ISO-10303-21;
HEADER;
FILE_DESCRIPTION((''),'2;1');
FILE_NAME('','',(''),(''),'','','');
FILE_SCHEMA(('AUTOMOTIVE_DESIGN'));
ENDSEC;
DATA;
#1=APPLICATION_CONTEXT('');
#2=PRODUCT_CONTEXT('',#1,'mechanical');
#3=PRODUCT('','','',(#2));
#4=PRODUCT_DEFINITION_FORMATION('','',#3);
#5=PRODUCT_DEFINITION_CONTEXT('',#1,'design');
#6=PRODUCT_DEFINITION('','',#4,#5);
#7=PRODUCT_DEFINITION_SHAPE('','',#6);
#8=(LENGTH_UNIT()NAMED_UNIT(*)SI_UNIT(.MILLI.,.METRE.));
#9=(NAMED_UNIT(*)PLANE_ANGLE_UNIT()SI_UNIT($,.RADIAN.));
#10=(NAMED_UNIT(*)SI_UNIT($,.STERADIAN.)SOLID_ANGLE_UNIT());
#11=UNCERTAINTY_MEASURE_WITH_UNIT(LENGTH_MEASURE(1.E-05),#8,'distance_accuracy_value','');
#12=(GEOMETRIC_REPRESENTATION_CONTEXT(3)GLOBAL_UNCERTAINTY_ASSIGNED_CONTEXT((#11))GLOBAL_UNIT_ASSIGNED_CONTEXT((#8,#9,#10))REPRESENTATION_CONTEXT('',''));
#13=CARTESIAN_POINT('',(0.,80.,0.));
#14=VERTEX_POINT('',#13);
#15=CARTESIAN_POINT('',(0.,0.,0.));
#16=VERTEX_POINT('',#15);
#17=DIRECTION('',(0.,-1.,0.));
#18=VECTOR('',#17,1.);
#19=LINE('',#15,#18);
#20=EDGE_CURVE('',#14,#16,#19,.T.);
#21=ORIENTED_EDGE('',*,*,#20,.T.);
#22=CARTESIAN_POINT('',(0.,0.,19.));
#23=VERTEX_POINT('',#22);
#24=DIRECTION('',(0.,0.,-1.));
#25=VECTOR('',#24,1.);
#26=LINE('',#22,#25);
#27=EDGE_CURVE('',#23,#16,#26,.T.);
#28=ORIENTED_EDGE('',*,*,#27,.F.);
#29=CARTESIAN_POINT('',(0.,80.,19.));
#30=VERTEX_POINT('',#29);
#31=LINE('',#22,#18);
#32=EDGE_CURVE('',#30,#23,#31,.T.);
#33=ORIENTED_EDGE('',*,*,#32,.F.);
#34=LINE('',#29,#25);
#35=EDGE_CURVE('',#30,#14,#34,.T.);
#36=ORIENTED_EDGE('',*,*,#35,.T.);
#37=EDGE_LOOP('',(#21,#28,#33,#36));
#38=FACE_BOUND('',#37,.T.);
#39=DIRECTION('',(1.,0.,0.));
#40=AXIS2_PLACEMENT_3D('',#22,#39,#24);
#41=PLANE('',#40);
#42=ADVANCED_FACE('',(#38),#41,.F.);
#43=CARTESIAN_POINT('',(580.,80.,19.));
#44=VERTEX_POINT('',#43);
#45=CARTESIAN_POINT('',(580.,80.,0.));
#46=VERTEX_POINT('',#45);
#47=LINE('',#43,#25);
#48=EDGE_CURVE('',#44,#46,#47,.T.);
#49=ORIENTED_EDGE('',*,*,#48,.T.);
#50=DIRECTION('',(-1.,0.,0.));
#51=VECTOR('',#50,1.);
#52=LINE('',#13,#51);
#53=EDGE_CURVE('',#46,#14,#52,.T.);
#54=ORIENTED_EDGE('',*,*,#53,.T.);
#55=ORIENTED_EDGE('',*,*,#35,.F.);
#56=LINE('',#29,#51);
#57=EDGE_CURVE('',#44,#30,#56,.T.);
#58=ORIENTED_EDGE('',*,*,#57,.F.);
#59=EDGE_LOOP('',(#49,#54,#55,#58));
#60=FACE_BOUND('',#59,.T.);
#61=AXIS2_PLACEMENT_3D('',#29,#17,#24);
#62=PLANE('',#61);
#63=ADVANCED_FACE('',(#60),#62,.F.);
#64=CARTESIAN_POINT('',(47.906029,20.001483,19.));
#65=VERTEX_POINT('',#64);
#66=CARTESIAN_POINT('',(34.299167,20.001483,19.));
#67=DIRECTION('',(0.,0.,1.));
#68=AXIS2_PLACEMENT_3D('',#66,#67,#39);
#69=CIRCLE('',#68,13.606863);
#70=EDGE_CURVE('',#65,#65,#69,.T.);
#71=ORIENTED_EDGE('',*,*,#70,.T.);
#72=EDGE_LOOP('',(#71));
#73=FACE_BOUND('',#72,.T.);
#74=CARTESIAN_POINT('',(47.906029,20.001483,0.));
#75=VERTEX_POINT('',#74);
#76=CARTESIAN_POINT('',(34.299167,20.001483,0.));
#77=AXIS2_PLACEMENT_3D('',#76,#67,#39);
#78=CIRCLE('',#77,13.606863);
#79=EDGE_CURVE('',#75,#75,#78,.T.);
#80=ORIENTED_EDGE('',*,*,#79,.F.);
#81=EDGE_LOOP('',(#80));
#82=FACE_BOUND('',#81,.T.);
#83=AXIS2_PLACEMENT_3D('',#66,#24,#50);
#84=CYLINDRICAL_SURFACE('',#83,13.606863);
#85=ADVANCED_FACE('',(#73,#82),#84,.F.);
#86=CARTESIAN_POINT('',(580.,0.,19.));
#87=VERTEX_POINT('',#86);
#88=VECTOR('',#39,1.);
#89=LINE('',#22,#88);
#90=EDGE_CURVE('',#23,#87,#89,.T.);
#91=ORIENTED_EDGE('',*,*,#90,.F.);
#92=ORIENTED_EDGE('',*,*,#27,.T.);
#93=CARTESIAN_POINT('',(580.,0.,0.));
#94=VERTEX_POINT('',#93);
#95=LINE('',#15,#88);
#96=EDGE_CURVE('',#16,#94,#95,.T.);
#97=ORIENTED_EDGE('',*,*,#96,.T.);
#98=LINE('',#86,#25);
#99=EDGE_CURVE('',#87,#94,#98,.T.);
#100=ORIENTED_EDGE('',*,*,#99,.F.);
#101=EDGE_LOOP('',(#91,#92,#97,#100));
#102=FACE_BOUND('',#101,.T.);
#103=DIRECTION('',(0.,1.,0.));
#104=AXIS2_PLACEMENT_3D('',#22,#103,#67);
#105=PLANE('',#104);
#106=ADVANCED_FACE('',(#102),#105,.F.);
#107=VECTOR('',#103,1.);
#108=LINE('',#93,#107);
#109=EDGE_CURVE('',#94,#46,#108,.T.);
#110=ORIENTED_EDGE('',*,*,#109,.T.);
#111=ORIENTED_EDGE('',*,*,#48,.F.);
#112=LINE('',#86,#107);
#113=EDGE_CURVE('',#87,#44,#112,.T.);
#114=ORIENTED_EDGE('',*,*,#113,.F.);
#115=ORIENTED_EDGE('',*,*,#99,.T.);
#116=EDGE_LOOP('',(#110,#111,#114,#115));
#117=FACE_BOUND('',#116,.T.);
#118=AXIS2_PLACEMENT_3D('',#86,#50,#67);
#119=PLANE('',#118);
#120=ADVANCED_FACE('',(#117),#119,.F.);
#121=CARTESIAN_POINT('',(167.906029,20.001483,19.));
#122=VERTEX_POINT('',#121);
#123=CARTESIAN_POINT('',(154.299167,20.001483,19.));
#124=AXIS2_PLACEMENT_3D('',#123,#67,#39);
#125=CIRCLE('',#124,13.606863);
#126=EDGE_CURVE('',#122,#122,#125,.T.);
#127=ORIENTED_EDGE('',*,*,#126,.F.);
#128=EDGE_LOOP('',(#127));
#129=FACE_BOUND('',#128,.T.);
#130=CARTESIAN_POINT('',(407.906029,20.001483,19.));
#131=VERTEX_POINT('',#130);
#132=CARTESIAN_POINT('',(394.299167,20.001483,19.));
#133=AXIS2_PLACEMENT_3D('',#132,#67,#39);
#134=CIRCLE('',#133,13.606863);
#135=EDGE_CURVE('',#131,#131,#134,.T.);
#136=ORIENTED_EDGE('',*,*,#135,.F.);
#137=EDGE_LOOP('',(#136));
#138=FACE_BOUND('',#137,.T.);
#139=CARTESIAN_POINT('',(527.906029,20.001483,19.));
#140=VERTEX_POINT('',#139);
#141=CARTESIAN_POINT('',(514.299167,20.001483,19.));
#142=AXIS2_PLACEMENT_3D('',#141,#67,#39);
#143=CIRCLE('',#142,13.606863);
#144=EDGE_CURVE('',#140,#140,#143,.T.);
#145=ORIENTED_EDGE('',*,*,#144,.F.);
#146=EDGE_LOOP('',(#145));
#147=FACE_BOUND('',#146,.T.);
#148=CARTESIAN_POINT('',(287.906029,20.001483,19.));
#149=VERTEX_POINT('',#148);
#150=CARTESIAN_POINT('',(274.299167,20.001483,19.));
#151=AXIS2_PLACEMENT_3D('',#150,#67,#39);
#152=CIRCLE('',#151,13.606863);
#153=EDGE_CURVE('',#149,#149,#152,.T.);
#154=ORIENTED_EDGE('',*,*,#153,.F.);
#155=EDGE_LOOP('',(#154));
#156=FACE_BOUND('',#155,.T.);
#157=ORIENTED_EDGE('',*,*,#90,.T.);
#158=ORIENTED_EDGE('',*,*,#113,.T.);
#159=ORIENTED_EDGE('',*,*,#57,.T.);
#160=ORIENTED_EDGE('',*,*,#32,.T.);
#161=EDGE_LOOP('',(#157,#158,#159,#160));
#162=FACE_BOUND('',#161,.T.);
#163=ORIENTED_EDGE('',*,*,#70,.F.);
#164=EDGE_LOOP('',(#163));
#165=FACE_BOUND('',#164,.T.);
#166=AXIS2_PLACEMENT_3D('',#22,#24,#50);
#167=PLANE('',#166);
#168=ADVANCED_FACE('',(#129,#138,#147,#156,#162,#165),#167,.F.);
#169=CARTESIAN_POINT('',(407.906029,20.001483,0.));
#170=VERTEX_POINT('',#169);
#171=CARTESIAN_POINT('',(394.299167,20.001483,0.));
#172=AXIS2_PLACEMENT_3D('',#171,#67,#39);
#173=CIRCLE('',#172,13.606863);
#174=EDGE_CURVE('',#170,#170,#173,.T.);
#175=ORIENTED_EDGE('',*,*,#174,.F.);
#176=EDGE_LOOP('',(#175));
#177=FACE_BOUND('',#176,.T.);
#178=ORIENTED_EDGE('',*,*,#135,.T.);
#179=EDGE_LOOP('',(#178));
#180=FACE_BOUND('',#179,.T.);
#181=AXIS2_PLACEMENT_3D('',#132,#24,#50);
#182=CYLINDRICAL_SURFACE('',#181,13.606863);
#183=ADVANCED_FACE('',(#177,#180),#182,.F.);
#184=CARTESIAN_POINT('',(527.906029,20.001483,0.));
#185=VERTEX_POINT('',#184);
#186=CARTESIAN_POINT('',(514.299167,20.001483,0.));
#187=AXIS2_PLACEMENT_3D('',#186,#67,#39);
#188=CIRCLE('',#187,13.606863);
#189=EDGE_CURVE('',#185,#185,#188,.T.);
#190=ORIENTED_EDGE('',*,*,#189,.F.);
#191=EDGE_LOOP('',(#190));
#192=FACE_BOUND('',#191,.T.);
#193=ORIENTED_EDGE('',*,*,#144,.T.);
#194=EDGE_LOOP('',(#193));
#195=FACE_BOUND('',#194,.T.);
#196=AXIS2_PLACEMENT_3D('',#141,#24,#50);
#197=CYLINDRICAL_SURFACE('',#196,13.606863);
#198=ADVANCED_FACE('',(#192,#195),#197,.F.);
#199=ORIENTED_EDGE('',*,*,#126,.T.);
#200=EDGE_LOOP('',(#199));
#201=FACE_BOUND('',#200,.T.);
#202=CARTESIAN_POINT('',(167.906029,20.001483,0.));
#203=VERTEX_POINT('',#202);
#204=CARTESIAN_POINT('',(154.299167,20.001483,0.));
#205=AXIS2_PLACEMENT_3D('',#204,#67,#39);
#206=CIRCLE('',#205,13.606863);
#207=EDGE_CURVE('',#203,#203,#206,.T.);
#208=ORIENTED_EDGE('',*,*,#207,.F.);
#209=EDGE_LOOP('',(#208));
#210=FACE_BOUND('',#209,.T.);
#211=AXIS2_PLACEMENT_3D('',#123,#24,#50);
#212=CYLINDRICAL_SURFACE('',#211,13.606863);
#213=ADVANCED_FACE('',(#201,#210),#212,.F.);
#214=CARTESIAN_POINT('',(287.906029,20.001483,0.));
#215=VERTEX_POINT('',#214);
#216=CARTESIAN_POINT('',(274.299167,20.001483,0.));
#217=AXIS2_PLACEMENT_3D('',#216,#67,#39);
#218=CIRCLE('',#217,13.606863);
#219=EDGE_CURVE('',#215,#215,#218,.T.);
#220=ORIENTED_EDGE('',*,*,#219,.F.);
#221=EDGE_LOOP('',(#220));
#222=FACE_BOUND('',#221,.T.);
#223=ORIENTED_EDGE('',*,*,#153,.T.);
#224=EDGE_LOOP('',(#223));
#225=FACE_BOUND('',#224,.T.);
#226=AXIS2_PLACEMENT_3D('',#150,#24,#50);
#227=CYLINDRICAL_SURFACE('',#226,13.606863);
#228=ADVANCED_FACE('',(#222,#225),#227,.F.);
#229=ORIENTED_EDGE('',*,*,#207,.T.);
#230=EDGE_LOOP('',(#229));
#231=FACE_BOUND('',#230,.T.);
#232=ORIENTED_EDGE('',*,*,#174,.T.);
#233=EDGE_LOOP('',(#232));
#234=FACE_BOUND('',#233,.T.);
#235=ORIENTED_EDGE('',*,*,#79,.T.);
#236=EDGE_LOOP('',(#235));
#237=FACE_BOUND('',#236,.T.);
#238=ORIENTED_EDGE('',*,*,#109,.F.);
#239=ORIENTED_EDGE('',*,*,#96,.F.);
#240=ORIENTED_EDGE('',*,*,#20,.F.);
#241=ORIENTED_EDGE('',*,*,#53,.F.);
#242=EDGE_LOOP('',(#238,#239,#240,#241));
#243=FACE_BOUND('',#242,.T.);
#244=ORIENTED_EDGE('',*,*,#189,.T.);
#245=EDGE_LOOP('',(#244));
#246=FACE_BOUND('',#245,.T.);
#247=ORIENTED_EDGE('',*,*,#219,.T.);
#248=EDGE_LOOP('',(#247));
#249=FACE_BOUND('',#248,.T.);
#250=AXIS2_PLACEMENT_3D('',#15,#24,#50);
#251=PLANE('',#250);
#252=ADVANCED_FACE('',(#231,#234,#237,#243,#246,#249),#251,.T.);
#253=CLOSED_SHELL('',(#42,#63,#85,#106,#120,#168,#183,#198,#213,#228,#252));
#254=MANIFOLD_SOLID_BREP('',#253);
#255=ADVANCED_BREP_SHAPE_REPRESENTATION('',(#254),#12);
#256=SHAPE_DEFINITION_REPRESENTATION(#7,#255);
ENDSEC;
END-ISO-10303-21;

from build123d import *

# Parameters (mm, degrees)
SKETCH2_W           = 580
SKETCH2_H           = 80
SKETCH2_R           = 13.606862629
BOSS_EXTRUDE1_DEPTH = 19


with BuildPart() as part:
    # Sketch2 → Boss-Extrude1 (new body)
    with BuildSketch(Plane.XY):
        with Locations((290, 40)):
            Rectangle(SKETCH2_W, SKETCH2_H)
        with Locations((34.29916653, 20.001482831)):
            Circle(SKETCH2_R, mode=Mode.SUBTRACT)
        with Locations((154.29916653, 20.001482831)):
            Circle(SKETCH2_R, mode=Mode.SUBTRACT)
        with Locations((274.29916653, 20.001482831)):
            Circle(SKETCH2_R, mode=Mode.SUBTRACT)
        with Locations((394.29916653, 20.001482831)):
            Circle(SKETCH2_R, mode=Mode.SUBTRACT)
        with Locations((514.29916653, 20.001482831)):
            Circle(SKETCH2_R, mode=Mode.SUBTRACT)
    extrude(amount=BOSS_EXTRUDE1_DEPTH)


solid = part.part
